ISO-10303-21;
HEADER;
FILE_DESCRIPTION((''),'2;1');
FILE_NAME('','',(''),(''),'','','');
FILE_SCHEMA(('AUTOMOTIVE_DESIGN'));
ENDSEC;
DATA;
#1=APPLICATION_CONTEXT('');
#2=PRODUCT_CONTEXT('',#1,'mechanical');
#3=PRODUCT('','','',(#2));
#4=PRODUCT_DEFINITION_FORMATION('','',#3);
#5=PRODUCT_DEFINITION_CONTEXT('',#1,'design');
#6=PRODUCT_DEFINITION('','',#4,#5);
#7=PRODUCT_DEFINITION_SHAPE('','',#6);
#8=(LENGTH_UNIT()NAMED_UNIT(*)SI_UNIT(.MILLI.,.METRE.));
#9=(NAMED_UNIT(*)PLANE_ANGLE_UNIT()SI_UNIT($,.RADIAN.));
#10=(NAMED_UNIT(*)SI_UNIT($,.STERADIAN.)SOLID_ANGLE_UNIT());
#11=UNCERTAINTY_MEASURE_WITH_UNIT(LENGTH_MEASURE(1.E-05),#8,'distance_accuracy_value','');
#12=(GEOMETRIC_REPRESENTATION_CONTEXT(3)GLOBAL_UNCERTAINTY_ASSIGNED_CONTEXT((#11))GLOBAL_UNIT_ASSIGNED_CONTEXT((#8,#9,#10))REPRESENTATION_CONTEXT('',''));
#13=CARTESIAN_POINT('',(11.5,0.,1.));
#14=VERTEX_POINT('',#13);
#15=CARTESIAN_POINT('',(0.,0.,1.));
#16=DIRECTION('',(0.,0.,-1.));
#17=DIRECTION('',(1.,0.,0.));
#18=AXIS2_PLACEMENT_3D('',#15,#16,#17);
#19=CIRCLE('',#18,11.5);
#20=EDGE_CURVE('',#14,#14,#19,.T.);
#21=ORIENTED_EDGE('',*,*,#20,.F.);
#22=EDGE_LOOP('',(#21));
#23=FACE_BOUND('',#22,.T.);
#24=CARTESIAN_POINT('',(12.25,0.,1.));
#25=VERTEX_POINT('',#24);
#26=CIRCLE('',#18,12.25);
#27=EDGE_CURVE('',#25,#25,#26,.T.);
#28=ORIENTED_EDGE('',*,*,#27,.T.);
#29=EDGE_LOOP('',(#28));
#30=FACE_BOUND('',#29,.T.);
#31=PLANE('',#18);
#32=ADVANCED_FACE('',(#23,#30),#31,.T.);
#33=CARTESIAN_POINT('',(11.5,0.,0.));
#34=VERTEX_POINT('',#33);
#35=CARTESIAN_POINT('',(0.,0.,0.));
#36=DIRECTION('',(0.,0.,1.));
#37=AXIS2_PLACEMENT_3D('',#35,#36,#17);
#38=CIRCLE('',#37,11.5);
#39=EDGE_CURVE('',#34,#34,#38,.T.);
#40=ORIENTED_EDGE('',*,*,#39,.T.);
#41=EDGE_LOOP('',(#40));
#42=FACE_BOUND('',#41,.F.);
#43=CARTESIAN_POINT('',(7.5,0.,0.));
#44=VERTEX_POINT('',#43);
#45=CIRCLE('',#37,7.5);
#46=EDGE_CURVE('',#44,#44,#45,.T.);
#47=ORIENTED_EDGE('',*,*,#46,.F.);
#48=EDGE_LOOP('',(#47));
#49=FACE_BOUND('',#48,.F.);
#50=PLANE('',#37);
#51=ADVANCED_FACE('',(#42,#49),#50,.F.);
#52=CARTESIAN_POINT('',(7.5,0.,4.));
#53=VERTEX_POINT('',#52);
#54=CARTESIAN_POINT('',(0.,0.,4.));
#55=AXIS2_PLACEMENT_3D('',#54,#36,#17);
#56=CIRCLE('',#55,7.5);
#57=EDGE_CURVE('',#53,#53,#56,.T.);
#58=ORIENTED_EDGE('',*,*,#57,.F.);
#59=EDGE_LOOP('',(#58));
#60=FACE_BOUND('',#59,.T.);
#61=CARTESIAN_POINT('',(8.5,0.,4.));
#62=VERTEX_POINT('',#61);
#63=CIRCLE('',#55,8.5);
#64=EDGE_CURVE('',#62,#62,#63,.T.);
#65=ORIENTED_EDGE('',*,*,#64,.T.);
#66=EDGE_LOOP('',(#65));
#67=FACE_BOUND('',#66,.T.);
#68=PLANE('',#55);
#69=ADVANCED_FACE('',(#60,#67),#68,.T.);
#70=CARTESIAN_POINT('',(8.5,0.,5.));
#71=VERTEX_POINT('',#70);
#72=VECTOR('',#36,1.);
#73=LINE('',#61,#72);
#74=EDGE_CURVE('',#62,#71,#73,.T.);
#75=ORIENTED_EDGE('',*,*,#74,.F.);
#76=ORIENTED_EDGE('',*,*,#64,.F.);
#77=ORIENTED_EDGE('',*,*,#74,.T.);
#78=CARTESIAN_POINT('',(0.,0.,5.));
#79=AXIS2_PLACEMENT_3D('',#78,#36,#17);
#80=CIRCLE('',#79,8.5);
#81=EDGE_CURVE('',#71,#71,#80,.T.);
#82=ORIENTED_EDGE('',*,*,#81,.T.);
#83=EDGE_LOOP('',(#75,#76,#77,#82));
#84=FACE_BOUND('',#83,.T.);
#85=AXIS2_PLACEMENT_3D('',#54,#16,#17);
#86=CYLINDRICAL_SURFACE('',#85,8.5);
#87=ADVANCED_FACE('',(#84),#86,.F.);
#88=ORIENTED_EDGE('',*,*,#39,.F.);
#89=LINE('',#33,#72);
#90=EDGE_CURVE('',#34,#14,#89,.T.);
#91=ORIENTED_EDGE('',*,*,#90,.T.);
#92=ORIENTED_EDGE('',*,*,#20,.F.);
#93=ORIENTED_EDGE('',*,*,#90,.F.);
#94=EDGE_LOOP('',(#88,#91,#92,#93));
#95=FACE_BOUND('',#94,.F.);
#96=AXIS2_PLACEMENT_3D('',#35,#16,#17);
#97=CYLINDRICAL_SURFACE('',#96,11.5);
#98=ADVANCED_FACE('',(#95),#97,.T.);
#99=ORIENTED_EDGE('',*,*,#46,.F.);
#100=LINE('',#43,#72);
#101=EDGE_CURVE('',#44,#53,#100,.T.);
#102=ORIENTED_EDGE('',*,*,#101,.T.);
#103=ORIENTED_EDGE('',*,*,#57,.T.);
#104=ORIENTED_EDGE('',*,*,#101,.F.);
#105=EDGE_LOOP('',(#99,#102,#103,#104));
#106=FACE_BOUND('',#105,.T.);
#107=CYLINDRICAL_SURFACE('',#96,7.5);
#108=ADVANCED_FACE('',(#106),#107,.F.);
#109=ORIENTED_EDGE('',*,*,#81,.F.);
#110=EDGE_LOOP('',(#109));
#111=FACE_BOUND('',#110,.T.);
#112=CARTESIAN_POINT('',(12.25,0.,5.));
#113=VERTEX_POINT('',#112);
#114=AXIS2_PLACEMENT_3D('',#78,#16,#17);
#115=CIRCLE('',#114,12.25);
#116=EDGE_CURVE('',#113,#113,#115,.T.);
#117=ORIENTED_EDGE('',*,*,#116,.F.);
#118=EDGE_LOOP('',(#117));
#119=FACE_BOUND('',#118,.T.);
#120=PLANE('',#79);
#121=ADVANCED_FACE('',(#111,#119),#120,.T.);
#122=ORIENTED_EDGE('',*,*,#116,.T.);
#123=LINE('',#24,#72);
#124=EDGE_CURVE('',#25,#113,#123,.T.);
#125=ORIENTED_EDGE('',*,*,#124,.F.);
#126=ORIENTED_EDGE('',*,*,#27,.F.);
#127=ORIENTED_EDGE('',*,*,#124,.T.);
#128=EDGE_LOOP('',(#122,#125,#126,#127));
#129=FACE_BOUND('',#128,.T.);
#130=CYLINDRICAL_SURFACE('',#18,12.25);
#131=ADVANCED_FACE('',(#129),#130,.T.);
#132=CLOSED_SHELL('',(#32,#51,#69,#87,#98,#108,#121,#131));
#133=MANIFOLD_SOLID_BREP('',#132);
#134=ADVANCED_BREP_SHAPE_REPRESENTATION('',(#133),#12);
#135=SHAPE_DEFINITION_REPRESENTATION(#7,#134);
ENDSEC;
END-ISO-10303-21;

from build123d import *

# Parameters (mm, degrees)
SKETCH_R      = 11.5
SKETCH_R_2    = 7.5
PAD_DEPTH     = 4
SKETCH001_R   = 12.25
SKETCH001_R_2 = 11.5
PAD001_DEPTH  = 4
SKETCH002_R   = 11.5
SKETCH002_R_2 = 8.5
PAD002_DEPTH  = 1


with BuildPart() as part:
    # Sketch → Pad (new body)
    with BuildSketch(Plane.XY):
        Circle(SKETCH_R)
        Circle(SKETCH_R_2, mode=Mode.SUBTRACT)
    extrude(amount=PAD_DEPTH)

    # Sketch001 (on Face3 of Pad) → Pad001 (join)
    with BuildSketch(Plane(origin=(0, 0, 1), x_dir=(1, 0, 0), z_dir=(0, 0, -1))):
        Circle(SKETCH001_R)
        Circle(SKETCH001_R_2, mode=Mode.SUBTRACT)
    extrude(amount=-PAD001_DEPTH)

    # Sketch002 (on Face6 of Pad001) → Pad002 (join)
    with BuildSketch(Plane.XY.offset(4)):
        Circle(SKETCH002_R)
        Circle(SKETCH002_R_2, mode=Mode.SUBTRACT)
    extrude(amount=PAD002_DEPTH)


solid = part.part
